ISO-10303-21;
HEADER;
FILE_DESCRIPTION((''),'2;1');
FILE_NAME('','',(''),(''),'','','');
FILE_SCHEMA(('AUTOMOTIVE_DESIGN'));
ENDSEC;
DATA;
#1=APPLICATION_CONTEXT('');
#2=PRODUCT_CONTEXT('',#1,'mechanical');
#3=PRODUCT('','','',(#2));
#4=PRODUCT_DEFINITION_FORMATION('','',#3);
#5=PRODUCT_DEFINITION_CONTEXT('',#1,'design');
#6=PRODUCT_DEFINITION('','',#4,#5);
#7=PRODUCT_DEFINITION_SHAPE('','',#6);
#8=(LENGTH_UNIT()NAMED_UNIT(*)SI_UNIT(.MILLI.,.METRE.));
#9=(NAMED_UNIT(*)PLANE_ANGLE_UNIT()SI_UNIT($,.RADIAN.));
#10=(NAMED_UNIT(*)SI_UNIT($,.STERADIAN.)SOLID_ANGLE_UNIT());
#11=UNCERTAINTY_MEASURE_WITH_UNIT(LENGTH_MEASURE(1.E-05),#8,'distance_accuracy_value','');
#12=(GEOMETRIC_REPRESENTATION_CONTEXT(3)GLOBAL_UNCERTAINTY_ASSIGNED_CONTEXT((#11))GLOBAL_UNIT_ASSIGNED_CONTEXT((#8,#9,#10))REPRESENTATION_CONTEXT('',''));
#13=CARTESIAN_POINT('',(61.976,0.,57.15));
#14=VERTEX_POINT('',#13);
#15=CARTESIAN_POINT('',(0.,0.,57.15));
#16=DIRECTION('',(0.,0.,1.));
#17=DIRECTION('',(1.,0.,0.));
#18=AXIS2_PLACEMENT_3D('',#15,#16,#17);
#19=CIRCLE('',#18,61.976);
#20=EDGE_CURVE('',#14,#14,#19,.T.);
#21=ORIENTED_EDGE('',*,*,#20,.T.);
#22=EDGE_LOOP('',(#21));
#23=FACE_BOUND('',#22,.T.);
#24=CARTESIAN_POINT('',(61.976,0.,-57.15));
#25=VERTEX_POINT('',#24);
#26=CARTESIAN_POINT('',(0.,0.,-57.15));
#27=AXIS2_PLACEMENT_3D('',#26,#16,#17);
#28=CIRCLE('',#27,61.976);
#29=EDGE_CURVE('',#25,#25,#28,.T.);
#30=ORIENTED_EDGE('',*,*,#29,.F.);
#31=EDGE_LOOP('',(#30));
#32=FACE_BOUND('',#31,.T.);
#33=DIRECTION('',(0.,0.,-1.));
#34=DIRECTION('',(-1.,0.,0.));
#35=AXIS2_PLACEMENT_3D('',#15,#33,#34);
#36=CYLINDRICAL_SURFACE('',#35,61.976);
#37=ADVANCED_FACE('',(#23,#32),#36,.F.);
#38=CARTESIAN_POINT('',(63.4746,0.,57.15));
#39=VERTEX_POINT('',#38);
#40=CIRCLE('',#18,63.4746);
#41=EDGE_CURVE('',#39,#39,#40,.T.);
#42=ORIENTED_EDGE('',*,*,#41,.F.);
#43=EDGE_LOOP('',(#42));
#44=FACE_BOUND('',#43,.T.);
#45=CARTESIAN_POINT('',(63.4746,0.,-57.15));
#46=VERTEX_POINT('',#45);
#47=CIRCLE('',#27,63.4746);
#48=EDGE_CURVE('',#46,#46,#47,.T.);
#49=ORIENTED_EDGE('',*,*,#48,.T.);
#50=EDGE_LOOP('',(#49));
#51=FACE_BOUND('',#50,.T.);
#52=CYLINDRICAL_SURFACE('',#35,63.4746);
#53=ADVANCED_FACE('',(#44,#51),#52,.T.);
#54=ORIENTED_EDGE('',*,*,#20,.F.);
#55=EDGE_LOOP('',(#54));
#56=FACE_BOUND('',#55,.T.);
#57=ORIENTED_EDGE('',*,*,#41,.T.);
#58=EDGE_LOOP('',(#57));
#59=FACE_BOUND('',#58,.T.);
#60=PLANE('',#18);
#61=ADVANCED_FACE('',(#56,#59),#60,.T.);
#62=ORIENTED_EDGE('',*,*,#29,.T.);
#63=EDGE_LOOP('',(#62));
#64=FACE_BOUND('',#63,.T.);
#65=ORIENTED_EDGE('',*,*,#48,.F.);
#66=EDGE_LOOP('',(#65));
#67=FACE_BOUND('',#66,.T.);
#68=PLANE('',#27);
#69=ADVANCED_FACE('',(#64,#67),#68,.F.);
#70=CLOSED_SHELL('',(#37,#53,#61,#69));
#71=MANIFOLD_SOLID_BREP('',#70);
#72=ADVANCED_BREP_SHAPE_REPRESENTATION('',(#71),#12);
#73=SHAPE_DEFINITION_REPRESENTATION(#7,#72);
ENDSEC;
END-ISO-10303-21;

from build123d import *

# Parameters (mm, degrees)
SKETCH1_R           = 63.4746
SKETCH1_R_2         = 61.976
BOSS_EXTRUDE1_DEPTH = 57.15


with BuildPart() as part:
    # Sketch1 → Boss-Extrude1 (new body, symmetric)
    with BuildSketch(Plane.XY):
        Circle(SKETCH1_R)
        Circle(SKETCH1_R_2, mode=Mode.SUBTRACT)
    extrude(amount=BOSS_EXTRUDE1_DEPTH, both=True)


solid = part.part
